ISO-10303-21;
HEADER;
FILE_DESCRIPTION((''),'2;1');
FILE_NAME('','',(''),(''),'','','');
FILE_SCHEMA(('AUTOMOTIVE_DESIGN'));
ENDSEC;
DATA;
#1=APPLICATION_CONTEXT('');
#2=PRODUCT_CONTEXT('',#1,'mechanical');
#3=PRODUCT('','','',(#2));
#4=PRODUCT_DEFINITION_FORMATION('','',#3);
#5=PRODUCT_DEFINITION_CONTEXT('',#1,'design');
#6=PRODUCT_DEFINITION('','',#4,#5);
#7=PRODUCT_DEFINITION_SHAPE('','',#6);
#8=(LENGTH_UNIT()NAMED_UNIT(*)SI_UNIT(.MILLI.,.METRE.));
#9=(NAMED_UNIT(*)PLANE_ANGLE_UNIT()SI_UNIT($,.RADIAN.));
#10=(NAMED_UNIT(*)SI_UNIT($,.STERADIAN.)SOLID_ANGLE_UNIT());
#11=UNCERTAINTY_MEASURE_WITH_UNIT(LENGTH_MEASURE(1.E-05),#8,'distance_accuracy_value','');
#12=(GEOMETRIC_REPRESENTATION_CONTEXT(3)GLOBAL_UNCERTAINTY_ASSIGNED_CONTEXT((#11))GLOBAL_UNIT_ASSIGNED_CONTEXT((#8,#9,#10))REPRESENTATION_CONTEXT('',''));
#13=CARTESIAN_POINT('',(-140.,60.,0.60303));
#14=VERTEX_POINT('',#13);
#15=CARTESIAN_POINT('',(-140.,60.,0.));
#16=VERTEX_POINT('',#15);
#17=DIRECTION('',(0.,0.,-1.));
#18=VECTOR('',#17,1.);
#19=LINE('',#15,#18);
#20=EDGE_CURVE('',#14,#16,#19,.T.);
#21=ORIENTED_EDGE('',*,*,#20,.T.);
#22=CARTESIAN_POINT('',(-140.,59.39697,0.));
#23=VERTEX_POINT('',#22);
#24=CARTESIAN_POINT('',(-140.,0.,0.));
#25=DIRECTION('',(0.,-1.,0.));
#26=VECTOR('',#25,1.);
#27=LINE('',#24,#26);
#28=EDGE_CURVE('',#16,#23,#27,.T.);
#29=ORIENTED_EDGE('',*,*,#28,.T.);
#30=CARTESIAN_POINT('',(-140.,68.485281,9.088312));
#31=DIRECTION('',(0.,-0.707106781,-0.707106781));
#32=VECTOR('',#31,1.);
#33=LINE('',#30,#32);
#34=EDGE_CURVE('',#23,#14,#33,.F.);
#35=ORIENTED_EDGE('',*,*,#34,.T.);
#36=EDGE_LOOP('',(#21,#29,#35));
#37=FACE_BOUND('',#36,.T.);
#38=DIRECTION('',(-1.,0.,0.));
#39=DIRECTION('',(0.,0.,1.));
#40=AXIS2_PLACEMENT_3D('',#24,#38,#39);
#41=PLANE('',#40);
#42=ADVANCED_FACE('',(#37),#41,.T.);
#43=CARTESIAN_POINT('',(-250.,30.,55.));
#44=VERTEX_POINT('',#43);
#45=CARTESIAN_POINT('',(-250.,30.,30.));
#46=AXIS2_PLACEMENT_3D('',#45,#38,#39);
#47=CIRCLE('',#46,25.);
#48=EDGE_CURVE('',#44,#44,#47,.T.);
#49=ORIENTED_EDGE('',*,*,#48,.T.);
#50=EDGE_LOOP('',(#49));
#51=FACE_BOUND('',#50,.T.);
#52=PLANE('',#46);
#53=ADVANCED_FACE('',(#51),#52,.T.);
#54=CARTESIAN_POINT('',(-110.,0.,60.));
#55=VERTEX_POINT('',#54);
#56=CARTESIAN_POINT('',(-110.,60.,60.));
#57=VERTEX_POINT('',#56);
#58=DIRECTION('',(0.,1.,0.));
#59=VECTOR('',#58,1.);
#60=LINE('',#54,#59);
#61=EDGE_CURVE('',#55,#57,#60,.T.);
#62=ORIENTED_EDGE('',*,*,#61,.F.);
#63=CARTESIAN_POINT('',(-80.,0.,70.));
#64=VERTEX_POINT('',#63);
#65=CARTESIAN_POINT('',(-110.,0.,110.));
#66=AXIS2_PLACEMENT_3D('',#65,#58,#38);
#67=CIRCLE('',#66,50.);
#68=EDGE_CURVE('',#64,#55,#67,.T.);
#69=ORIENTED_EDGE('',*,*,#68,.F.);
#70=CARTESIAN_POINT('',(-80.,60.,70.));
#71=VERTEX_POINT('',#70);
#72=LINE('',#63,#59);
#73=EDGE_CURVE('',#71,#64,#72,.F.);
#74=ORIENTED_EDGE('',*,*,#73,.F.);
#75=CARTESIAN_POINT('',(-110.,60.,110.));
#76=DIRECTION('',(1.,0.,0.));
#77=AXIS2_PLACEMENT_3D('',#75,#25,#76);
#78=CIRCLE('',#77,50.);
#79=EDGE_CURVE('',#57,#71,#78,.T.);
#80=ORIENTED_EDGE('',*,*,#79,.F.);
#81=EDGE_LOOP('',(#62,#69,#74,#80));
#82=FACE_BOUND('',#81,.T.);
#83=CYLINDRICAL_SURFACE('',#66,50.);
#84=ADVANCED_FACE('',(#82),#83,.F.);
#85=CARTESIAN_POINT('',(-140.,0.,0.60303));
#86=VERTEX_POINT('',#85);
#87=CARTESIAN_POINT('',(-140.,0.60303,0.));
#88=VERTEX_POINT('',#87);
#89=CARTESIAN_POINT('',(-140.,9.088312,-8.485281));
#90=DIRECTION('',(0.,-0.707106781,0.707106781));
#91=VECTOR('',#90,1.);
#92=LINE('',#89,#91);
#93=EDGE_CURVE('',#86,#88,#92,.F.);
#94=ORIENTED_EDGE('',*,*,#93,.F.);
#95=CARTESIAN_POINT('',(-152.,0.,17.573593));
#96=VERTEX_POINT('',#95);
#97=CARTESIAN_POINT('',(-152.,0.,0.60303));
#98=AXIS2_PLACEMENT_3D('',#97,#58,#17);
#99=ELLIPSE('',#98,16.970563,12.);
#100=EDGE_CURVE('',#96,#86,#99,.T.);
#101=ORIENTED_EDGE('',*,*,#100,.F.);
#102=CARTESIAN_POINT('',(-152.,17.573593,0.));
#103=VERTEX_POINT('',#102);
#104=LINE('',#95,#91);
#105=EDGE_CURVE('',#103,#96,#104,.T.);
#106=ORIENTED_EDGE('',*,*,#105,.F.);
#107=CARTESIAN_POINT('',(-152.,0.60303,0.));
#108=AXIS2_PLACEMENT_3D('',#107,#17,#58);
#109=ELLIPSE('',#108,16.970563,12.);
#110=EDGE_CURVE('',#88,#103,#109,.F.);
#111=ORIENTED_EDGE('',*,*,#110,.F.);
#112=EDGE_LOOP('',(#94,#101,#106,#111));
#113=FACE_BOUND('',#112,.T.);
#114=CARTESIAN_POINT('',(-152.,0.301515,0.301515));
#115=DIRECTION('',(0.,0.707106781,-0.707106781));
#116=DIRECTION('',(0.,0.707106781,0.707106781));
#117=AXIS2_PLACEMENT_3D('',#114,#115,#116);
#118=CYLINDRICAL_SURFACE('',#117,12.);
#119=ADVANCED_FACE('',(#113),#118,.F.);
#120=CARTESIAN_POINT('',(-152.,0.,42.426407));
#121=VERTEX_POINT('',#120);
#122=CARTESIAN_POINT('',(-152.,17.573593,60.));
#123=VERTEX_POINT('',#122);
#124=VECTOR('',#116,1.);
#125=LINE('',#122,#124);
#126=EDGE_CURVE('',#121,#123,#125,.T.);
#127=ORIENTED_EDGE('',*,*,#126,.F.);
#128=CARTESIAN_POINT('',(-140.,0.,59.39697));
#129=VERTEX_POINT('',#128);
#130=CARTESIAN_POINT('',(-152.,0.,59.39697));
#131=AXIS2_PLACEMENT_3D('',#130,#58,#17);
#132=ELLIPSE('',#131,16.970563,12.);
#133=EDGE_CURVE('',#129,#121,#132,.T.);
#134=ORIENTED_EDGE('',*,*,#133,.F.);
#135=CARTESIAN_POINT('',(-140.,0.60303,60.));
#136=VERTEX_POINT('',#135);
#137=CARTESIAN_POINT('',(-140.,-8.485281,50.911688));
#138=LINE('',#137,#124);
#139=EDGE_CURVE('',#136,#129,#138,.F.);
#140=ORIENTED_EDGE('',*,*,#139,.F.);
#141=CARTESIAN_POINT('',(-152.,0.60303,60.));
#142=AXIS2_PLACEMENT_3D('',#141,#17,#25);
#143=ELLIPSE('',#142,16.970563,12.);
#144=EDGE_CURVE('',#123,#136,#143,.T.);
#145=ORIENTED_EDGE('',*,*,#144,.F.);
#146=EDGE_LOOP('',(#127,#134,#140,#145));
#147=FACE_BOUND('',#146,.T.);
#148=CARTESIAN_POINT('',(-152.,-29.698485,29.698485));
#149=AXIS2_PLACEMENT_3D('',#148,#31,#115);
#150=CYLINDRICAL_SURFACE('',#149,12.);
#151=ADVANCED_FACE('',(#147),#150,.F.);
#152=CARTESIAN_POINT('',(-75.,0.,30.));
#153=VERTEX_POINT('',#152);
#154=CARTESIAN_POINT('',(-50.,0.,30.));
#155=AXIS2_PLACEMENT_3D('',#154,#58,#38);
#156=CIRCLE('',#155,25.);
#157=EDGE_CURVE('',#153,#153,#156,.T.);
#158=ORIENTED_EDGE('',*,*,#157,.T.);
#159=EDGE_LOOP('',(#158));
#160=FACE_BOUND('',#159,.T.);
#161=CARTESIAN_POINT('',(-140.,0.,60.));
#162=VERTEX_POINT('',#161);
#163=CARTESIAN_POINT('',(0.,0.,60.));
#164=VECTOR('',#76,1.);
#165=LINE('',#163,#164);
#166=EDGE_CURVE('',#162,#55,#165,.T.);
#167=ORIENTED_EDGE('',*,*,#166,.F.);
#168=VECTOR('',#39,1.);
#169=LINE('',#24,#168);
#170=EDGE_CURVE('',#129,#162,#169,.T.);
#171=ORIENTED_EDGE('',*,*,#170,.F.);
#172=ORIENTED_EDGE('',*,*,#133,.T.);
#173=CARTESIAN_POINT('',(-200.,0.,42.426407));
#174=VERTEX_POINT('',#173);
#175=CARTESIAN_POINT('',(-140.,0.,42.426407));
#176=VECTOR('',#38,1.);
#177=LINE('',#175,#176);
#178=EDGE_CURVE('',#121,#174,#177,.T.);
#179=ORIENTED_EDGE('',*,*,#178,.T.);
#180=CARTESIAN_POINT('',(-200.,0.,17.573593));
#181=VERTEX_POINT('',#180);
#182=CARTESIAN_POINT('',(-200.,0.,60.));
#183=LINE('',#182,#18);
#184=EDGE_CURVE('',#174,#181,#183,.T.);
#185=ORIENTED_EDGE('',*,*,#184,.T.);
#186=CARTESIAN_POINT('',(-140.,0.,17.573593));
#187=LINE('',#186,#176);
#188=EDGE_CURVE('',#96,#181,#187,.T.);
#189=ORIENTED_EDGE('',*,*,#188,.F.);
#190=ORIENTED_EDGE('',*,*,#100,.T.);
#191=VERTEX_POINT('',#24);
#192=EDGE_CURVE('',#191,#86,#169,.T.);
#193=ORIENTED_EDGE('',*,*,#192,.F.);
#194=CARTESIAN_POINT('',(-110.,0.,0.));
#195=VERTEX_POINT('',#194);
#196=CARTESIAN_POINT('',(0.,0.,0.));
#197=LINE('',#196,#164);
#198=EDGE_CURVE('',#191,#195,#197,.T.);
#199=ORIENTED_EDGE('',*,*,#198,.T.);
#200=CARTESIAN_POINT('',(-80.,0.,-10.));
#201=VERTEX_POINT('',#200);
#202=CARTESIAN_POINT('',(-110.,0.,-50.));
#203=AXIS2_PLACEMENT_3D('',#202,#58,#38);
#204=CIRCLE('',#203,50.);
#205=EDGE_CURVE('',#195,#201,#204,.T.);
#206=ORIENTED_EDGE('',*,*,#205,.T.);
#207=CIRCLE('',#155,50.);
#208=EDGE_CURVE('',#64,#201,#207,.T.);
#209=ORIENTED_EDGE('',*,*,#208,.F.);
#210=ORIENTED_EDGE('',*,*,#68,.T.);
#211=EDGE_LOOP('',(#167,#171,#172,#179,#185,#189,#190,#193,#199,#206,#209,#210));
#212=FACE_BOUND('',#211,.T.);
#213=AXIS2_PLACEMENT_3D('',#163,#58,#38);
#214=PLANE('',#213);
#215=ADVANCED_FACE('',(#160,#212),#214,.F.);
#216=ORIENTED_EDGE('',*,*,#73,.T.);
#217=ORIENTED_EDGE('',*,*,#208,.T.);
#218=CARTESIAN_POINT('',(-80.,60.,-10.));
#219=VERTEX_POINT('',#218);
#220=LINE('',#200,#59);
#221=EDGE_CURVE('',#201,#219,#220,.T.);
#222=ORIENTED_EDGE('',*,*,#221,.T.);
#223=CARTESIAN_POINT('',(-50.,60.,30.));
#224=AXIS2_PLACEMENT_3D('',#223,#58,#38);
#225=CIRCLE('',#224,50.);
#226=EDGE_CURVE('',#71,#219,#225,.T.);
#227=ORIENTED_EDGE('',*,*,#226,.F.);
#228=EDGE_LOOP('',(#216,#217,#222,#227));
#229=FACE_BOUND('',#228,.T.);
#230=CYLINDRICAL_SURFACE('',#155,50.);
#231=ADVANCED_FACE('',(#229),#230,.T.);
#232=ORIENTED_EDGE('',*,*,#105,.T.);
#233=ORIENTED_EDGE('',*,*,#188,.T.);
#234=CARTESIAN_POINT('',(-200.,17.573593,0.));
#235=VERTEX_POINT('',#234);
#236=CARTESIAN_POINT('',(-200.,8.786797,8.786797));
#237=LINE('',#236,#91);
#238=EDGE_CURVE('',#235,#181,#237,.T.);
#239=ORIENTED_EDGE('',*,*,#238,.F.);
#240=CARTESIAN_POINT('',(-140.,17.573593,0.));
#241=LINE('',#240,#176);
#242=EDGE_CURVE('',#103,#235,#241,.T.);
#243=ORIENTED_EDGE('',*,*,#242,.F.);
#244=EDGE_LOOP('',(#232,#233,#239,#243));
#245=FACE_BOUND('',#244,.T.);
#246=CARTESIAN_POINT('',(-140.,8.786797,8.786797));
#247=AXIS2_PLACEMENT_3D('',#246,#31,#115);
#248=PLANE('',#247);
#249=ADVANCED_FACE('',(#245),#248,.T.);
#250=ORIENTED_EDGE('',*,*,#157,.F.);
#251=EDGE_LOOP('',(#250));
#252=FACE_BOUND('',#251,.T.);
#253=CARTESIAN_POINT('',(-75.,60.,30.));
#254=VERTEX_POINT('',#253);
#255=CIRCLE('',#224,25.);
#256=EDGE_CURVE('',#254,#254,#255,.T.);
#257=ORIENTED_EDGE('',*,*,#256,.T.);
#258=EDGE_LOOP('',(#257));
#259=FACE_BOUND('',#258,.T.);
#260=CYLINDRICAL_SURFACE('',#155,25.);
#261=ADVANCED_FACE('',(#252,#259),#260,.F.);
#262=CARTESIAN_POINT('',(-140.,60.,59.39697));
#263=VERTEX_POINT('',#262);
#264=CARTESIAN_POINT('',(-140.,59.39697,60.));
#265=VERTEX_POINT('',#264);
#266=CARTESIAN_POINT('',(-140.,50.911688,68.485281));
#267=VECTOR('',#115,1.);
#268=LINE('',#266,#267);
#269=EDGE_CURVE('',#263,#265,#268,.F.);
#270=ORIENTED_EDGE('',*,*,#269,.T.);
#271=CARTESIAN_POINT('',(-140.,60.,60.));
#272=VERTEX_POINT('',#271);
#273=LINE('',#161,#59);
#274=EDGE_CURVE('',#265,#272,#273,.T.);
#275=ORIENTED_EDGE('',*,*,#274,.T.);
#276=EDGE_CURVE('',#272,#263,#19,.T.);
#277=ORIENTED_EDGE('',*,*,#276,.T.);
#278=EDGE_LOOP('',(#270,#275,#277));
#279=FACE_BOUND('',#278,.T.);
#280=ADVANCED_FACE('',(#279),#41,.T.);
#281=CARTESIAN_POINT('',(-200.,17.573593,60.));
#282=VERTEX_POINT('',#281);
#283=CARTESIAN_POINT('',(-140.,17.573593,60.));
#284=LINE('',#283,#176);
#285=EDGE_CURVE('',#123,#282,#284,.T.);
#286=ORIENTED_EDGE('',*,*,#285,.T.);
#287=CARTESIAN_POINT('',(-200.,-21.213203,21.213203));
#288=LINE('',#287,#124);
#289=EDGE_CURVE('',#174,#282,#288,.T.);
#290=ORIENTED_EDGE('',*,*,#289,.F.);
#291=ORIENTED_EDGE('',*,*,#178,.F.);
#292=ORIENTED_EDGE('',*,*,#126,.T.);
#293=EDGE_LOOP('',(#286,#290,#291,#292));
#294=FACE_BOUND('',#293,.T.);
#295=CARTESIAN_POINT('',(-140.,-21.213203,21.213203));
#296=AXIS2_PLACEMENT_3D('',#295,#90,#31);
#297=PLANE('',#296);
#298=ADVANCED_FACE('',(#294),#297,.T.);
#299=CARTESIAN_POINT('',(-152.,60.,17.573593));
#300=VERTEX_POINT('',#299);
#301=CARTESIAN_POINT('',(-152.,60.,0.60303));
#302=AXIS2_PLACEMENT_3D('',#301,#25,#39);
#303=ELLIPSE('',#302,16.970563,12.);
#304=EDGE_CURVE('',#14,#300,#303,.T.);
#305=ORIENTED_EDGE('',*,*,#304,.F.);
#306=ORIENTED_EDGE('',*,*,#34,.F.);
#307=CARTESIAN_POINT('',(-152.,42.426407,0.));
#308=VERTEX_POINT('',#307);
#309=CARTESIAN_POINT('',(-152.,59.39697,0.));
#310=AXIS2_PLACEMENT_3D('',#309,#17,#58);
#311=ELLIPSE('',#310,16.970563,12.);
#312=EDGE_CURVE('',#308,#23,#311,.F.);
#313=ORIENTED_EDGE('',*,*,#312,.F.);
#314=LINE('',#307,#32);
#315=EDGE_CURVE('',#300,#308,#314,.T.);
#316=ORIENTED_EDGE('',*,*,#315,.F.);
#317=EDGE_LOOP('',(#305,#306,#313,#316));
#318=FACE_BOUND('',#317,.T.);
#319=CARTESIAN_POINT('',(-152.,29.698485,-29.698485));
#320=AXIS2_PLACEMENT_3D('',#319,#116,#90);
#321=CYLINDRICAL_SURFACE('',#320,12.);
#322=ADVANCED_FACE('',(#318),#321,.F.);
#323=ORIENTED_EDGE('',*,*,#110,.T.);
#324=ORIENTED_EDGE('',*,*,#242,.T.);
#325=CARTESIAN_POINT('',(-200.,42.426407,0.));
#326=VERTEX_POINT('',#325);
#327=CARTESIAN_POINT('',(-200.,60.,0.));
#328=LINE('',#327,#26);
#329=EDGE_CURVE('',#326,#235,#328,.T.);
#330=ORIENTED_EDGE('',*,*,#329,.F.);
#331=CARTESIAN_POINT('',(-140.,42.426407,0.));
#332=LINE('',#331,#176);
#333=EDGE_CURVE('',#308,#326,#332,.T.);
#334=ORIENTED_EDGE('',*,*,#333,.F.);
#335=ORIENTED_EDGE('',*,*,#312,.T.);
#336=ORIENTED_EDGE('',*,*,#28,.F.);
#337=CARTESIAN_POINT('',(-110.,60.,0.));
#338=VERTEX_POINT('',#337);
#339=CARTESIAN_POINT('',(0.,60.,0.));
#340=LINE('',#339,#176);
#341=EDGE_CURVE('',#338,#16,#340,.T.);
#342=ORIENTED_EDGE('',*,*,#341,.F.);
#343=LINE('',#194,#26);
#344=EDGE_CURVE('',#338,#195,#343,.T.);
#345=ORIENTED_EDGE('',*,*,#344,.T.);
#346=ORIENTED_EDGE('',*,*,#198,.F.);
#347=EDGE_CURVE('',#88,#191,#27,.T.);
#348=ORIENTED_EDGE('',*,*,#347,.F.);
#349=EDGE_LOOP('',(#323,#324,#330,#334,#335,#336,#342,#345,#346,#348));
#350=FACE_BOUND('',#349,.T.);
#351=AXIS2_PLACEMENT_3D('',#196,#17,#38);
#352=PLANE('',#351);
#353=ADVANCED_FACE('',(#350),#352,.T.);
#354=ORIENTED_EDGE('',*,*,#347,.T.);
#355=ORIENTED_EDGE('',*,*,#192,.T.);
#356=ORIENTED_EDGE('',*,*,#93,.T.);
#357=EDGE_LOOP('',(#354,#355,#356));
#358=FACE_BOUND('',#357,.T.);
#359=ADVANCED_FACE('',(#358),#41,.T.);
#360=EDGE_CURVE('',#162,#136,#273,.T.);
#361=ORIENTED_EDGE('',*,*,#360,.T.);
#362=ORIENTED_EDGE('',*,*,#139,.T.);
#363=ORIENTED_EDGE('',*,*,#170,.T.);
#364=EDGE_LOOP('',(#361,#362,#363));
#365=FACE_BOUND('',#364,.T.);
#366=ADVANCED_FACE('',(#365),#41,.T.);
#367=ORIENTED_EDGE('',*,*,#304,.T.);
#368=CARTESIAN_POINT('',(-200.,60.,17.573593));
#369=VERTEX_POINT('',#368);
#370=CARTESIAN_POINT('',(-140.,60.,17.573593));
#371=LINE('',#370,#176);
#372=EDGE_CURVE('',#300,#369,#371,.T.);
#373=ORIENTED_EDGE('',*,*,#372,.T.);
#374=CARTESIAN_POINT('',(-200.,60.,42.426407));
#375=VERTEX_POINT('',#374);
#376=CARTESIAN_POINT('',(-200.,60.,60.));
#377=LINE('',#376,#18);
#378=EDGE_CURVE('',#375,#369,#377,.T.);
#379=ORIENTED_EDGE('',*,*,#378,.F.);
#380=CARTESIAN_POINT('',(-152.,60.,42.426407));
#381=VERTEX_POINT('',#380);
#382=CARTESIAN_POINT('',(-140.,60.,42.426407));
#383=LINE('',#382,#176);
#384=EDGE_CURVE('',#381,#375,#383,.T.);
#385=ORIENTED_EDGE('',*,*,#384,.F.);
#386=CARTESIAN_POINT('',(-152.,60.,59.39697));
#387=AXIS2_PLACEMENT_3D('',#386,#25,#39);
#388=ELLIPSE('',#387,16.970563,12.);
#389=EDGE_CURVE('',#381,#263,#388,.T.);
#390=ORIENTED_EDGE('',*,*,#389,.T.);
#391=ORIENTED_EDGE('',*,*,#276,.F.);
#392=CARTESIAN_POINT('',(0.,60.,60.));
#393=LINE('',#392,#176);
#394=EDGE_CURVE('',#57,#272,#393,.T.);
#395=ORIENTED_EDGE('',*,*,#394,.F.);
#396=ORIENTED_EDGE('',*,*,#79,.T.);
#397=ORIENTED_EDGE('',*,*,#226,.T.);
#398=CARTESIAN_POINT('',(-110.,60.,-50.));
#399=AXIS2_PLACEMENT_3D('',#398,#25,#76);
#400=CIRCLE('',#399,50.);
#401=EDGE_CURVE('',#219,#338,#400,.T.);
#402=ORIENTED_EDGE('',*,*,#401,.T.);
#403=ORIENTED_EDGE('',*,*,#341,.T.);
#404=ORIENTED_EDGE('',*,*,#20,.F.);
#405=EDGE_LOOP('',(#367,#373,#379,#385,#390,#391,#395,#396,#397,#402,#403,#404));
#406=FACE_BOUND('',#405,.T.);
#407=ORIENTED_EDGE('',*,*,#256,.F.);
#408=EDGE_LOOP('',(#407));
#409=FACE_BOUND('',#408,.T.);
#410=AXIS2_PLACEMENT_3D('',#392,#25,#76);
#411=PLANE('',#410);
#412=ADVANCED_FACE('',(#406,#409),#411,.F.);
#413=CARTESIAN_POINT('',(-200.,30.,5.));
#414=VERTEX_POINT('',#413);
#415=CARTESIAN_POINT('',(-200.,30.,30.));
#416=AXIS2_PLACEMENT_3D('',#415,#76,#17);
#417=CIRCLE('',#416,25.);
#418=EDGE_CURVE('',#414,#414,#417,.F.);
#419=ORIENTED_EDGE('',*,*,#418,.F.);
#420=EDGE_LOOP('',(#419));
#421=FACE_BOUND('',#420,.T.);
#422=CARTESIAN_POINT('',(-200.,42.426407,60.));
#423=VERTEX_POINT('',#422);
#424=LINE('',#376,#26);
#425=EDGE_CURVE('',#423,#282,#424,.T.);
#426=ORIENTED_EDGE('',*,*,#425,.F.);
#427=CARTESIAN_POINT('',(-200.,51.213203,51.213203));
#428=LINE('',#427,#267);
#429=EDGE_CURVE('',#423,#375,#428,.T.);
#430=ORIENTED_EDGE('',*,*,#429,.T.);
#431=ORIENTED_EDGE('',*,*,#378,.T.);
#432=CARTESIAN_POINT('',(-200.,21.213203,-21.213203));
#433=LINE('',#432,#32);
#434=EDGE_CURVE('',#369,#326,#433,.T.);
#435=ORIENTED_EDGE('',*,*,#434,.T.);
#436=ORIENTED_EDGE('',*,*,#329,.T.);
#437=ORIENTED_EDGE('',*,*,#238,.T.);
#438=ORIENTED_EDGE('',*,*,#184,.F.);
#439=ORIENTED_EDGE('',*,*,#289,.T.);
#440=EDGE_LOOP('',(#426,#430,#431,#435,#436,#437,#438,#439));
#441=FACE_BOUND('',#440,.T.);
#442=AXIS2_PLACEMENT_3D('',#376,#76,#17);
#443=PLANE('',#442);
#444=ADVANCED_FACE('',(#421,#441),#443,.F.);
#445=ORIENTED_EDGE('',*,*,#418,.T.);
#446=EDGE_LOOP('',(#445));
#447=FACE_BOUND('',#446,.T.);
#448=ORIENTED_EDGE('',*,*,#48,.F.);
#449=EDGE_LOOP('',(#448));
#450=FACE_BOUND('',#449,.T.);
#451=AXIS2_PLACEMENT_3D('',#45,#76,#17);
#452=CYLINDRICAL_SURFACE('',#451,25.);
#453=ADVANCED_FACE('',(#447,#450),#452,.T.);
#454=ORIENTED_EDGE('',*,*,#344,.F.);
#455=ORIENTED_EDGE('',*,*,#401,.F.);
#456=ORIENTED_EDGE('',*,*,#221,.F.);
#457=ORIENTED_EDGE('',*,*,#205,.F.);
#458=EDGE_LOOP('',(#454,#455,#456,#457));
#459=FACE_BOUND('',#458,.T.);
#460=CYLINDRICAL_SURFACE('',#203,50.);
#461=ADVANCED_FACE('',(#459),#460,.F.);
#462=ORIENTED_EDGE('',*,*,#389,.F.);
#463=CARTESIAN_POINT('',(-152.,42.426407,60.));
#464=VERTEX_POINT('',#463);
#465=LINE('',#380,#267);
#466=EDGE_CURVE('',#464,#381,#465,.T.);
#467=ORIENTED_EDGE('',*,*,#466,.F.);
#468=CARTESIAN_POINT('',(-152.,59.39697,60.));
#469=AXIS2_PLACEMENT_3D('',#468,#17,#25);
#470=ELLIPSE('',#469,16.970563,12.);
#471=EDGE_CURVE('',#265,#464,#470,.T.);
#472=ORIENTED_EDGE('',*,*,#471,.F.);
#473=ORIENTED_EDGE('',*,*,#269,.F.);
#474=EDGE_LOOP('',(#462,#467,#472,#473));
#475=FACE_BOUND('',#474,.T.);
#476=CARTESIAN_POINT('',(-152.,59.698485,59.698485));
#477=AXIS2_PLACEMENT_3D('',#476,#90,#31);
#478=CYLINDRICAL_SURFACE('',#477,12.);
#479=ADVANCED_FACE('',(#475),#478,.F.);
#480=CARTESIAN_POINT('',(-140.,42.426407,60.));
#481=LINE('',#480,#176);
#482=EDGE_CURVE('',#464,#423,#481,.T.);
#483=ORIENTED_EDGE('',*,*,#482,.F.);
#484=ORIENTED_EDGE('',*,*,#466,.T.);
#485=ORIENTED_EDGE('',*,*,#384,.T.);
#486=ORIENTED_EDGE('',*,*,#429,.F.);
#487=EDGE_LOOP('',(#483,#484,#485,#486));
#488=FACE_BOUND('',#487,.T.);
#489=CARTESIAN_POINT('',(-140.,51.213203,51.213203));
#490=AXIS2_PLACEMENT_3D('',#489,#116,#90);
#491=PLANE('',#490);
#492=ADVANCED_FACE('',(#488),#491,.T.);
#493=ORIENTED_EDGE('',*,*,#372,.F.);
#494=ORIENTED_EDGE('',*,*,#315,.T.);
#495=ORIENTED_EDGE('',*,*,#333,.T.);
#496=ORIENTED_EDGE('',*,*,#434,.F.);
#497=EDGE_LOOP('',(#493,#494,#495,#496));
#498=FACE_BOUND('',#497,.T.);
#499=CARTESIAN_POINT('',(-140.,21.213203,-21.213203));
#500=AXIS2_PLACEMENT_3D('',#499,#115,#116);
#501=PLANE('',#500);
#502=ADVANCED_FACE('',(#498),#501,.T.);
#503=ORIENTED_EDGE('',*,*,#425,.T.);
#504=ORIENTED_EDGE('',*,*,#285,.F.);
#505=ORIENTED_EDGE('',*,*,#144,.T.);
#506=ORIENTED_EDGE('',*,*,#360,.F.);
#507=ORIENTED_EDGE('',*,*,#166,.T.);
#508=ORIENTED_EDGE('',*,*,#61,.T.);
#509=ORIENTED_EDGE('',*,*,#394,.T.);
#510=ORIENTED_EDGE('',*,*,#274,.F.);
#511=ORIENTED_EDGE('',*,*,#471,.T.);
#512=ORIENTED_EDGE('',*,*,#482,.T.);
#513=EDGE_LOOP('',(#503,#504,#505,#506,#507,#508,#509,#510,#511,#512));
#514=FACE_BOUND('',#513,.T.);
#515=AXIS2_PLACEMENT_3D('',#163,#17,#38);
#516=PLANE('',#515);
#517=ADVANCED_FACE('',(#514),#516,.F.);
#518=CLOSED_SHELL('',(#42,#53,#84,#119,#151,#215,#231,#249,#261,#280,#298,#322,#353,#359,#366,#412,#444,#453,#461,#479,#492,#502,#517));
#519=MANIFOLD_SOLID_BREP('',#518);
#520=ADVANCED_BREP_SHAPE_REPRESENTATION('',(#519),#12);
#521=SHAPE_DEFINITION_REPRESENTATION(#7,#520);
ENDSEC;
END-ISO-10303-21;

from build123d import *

# Parameters (mm, degrees)
SKETCH1_W           = 200
SKETCH1_H           = 60
BOSS_EXTRUDE1_DEPTH = 60
SKETCH2_R           = 50
SKETCH2_R_2         = 25
BOSS_EXTRUDE2_DEPTH = 60
SKETCH3_R           = 25
CUT_EXTRUDE1_DEPTH  = 60
SKETCH4_R           = 25
BOSS_EXTRUDE3_DEPTH = 50
CUT_EXTRUDE2_DEPTH  = 60
FILLET1_R           = 12
FILLET2_R           = 50


with BuildPart() as part:
    # Sketch1 → Boss-Extrude1 (new body)
    with BuildSketch(Plane.XY):
        with Locations((-100, 30)):
            Rectangle(SKETCH1_W, SKETCH1_H)
    extrude(amount=BOSS_EXTRUDE1_DEPTH)

    # Sketch2 → Boss-Extrude2 (add)
    with BuildSketch(Plane(origin=(0, 60, 0), x_dir=(1, 0, 0), z_dir=(0, 1, 0))):
        with Locations((-50, -30)):
            Circle(SKETCH2_R)
        with Locations((-50, -30)):
            Circle(SKETCH2_R_2, mode=Mode.SUBTRACT)
    extrude(amount=-BOSS_EXTRUDE2_DEPTH)

    # Sketch3 → Cut-Extrude1 (cut)
    with BuildSketch(Plane(origin=(0, 60, 0), x_dir=(1, 0, 0), z_dir=(0, 1, 0))):
        with Locations(Location((-50, -30, 0), (0, 0, 180))):
            Circle(SKETCH3_R)
        with BuildLine():
            ThreePointArc((-10, 0), (-2.565835097, -14.188611699), (0, -30))
            Line((0, -30), (0, 0))
            Line((0, 0), (-10, 0))
        make_face()
        with BuildLine():
            Line((-10, -60), (0, -60))
            Line((0, -60), (0, -30))
            ThreePointArc((0, -30), (-2.565835097, -45.811388301), (-10, -60))
        make_face()
    extrude(amount=-CUT_EXTRUDE1_DEPTH, mode=Mode.SUBTRACT)

    # Sketch4 → Boss-Extrude3 (add)
    with BuildSketch(Plane.ZY.offset(200)):
        with Locations(Location((30, 30, 0), (0, 0, 180))):
            Circle(SKETCH4_R)
    extrude(amount=BOSS_EXTRUDE3_DEPTH)

    # Sketch5 → Cut-Extrude2 (cut)
    with BuildSketch(Plane.ZY.offset(200)):
        Polygon((60, 60), (42.426406871, 60), (60, 42.426406871), align=None)
        Polygon((0, 42.426406871), (17.573593129, 60), (0, 60), align=None)
        Polygon((17.573593129, 0), (0, 17.573593129), (0, 0), align=None)
        Polygon((60, 0), (60, 17.573593129), (42.426406871, 0), align=None)
    extrude(amount=-CUT_EXTRUDE2_DEPTH, mode=Mode.SUBTRACT)

    # Fillet1
    fillet1_edges = [part.edges().sort_by_distance(p)[0] for p in [
        (-140, 8.786796564, 51.213203436),
        (-140, 51.213203436, 51.213203436),
        (-140, 51.213203436, 8.786796564),
        (-140, 8.786796564, 8.786796564),
    ]]
    fillet(fillet1_edges, radius=FILLET1_R)

    # Fillet2
    fillet2_edges = [part.edges().sort_by_distance(p)[0] for p in [
        (-90, 30, 0),
        (-90, 30, 60),
    ]]
    fillet(fillet2_edges, radius=FILLET2_R)


solid = part.part
